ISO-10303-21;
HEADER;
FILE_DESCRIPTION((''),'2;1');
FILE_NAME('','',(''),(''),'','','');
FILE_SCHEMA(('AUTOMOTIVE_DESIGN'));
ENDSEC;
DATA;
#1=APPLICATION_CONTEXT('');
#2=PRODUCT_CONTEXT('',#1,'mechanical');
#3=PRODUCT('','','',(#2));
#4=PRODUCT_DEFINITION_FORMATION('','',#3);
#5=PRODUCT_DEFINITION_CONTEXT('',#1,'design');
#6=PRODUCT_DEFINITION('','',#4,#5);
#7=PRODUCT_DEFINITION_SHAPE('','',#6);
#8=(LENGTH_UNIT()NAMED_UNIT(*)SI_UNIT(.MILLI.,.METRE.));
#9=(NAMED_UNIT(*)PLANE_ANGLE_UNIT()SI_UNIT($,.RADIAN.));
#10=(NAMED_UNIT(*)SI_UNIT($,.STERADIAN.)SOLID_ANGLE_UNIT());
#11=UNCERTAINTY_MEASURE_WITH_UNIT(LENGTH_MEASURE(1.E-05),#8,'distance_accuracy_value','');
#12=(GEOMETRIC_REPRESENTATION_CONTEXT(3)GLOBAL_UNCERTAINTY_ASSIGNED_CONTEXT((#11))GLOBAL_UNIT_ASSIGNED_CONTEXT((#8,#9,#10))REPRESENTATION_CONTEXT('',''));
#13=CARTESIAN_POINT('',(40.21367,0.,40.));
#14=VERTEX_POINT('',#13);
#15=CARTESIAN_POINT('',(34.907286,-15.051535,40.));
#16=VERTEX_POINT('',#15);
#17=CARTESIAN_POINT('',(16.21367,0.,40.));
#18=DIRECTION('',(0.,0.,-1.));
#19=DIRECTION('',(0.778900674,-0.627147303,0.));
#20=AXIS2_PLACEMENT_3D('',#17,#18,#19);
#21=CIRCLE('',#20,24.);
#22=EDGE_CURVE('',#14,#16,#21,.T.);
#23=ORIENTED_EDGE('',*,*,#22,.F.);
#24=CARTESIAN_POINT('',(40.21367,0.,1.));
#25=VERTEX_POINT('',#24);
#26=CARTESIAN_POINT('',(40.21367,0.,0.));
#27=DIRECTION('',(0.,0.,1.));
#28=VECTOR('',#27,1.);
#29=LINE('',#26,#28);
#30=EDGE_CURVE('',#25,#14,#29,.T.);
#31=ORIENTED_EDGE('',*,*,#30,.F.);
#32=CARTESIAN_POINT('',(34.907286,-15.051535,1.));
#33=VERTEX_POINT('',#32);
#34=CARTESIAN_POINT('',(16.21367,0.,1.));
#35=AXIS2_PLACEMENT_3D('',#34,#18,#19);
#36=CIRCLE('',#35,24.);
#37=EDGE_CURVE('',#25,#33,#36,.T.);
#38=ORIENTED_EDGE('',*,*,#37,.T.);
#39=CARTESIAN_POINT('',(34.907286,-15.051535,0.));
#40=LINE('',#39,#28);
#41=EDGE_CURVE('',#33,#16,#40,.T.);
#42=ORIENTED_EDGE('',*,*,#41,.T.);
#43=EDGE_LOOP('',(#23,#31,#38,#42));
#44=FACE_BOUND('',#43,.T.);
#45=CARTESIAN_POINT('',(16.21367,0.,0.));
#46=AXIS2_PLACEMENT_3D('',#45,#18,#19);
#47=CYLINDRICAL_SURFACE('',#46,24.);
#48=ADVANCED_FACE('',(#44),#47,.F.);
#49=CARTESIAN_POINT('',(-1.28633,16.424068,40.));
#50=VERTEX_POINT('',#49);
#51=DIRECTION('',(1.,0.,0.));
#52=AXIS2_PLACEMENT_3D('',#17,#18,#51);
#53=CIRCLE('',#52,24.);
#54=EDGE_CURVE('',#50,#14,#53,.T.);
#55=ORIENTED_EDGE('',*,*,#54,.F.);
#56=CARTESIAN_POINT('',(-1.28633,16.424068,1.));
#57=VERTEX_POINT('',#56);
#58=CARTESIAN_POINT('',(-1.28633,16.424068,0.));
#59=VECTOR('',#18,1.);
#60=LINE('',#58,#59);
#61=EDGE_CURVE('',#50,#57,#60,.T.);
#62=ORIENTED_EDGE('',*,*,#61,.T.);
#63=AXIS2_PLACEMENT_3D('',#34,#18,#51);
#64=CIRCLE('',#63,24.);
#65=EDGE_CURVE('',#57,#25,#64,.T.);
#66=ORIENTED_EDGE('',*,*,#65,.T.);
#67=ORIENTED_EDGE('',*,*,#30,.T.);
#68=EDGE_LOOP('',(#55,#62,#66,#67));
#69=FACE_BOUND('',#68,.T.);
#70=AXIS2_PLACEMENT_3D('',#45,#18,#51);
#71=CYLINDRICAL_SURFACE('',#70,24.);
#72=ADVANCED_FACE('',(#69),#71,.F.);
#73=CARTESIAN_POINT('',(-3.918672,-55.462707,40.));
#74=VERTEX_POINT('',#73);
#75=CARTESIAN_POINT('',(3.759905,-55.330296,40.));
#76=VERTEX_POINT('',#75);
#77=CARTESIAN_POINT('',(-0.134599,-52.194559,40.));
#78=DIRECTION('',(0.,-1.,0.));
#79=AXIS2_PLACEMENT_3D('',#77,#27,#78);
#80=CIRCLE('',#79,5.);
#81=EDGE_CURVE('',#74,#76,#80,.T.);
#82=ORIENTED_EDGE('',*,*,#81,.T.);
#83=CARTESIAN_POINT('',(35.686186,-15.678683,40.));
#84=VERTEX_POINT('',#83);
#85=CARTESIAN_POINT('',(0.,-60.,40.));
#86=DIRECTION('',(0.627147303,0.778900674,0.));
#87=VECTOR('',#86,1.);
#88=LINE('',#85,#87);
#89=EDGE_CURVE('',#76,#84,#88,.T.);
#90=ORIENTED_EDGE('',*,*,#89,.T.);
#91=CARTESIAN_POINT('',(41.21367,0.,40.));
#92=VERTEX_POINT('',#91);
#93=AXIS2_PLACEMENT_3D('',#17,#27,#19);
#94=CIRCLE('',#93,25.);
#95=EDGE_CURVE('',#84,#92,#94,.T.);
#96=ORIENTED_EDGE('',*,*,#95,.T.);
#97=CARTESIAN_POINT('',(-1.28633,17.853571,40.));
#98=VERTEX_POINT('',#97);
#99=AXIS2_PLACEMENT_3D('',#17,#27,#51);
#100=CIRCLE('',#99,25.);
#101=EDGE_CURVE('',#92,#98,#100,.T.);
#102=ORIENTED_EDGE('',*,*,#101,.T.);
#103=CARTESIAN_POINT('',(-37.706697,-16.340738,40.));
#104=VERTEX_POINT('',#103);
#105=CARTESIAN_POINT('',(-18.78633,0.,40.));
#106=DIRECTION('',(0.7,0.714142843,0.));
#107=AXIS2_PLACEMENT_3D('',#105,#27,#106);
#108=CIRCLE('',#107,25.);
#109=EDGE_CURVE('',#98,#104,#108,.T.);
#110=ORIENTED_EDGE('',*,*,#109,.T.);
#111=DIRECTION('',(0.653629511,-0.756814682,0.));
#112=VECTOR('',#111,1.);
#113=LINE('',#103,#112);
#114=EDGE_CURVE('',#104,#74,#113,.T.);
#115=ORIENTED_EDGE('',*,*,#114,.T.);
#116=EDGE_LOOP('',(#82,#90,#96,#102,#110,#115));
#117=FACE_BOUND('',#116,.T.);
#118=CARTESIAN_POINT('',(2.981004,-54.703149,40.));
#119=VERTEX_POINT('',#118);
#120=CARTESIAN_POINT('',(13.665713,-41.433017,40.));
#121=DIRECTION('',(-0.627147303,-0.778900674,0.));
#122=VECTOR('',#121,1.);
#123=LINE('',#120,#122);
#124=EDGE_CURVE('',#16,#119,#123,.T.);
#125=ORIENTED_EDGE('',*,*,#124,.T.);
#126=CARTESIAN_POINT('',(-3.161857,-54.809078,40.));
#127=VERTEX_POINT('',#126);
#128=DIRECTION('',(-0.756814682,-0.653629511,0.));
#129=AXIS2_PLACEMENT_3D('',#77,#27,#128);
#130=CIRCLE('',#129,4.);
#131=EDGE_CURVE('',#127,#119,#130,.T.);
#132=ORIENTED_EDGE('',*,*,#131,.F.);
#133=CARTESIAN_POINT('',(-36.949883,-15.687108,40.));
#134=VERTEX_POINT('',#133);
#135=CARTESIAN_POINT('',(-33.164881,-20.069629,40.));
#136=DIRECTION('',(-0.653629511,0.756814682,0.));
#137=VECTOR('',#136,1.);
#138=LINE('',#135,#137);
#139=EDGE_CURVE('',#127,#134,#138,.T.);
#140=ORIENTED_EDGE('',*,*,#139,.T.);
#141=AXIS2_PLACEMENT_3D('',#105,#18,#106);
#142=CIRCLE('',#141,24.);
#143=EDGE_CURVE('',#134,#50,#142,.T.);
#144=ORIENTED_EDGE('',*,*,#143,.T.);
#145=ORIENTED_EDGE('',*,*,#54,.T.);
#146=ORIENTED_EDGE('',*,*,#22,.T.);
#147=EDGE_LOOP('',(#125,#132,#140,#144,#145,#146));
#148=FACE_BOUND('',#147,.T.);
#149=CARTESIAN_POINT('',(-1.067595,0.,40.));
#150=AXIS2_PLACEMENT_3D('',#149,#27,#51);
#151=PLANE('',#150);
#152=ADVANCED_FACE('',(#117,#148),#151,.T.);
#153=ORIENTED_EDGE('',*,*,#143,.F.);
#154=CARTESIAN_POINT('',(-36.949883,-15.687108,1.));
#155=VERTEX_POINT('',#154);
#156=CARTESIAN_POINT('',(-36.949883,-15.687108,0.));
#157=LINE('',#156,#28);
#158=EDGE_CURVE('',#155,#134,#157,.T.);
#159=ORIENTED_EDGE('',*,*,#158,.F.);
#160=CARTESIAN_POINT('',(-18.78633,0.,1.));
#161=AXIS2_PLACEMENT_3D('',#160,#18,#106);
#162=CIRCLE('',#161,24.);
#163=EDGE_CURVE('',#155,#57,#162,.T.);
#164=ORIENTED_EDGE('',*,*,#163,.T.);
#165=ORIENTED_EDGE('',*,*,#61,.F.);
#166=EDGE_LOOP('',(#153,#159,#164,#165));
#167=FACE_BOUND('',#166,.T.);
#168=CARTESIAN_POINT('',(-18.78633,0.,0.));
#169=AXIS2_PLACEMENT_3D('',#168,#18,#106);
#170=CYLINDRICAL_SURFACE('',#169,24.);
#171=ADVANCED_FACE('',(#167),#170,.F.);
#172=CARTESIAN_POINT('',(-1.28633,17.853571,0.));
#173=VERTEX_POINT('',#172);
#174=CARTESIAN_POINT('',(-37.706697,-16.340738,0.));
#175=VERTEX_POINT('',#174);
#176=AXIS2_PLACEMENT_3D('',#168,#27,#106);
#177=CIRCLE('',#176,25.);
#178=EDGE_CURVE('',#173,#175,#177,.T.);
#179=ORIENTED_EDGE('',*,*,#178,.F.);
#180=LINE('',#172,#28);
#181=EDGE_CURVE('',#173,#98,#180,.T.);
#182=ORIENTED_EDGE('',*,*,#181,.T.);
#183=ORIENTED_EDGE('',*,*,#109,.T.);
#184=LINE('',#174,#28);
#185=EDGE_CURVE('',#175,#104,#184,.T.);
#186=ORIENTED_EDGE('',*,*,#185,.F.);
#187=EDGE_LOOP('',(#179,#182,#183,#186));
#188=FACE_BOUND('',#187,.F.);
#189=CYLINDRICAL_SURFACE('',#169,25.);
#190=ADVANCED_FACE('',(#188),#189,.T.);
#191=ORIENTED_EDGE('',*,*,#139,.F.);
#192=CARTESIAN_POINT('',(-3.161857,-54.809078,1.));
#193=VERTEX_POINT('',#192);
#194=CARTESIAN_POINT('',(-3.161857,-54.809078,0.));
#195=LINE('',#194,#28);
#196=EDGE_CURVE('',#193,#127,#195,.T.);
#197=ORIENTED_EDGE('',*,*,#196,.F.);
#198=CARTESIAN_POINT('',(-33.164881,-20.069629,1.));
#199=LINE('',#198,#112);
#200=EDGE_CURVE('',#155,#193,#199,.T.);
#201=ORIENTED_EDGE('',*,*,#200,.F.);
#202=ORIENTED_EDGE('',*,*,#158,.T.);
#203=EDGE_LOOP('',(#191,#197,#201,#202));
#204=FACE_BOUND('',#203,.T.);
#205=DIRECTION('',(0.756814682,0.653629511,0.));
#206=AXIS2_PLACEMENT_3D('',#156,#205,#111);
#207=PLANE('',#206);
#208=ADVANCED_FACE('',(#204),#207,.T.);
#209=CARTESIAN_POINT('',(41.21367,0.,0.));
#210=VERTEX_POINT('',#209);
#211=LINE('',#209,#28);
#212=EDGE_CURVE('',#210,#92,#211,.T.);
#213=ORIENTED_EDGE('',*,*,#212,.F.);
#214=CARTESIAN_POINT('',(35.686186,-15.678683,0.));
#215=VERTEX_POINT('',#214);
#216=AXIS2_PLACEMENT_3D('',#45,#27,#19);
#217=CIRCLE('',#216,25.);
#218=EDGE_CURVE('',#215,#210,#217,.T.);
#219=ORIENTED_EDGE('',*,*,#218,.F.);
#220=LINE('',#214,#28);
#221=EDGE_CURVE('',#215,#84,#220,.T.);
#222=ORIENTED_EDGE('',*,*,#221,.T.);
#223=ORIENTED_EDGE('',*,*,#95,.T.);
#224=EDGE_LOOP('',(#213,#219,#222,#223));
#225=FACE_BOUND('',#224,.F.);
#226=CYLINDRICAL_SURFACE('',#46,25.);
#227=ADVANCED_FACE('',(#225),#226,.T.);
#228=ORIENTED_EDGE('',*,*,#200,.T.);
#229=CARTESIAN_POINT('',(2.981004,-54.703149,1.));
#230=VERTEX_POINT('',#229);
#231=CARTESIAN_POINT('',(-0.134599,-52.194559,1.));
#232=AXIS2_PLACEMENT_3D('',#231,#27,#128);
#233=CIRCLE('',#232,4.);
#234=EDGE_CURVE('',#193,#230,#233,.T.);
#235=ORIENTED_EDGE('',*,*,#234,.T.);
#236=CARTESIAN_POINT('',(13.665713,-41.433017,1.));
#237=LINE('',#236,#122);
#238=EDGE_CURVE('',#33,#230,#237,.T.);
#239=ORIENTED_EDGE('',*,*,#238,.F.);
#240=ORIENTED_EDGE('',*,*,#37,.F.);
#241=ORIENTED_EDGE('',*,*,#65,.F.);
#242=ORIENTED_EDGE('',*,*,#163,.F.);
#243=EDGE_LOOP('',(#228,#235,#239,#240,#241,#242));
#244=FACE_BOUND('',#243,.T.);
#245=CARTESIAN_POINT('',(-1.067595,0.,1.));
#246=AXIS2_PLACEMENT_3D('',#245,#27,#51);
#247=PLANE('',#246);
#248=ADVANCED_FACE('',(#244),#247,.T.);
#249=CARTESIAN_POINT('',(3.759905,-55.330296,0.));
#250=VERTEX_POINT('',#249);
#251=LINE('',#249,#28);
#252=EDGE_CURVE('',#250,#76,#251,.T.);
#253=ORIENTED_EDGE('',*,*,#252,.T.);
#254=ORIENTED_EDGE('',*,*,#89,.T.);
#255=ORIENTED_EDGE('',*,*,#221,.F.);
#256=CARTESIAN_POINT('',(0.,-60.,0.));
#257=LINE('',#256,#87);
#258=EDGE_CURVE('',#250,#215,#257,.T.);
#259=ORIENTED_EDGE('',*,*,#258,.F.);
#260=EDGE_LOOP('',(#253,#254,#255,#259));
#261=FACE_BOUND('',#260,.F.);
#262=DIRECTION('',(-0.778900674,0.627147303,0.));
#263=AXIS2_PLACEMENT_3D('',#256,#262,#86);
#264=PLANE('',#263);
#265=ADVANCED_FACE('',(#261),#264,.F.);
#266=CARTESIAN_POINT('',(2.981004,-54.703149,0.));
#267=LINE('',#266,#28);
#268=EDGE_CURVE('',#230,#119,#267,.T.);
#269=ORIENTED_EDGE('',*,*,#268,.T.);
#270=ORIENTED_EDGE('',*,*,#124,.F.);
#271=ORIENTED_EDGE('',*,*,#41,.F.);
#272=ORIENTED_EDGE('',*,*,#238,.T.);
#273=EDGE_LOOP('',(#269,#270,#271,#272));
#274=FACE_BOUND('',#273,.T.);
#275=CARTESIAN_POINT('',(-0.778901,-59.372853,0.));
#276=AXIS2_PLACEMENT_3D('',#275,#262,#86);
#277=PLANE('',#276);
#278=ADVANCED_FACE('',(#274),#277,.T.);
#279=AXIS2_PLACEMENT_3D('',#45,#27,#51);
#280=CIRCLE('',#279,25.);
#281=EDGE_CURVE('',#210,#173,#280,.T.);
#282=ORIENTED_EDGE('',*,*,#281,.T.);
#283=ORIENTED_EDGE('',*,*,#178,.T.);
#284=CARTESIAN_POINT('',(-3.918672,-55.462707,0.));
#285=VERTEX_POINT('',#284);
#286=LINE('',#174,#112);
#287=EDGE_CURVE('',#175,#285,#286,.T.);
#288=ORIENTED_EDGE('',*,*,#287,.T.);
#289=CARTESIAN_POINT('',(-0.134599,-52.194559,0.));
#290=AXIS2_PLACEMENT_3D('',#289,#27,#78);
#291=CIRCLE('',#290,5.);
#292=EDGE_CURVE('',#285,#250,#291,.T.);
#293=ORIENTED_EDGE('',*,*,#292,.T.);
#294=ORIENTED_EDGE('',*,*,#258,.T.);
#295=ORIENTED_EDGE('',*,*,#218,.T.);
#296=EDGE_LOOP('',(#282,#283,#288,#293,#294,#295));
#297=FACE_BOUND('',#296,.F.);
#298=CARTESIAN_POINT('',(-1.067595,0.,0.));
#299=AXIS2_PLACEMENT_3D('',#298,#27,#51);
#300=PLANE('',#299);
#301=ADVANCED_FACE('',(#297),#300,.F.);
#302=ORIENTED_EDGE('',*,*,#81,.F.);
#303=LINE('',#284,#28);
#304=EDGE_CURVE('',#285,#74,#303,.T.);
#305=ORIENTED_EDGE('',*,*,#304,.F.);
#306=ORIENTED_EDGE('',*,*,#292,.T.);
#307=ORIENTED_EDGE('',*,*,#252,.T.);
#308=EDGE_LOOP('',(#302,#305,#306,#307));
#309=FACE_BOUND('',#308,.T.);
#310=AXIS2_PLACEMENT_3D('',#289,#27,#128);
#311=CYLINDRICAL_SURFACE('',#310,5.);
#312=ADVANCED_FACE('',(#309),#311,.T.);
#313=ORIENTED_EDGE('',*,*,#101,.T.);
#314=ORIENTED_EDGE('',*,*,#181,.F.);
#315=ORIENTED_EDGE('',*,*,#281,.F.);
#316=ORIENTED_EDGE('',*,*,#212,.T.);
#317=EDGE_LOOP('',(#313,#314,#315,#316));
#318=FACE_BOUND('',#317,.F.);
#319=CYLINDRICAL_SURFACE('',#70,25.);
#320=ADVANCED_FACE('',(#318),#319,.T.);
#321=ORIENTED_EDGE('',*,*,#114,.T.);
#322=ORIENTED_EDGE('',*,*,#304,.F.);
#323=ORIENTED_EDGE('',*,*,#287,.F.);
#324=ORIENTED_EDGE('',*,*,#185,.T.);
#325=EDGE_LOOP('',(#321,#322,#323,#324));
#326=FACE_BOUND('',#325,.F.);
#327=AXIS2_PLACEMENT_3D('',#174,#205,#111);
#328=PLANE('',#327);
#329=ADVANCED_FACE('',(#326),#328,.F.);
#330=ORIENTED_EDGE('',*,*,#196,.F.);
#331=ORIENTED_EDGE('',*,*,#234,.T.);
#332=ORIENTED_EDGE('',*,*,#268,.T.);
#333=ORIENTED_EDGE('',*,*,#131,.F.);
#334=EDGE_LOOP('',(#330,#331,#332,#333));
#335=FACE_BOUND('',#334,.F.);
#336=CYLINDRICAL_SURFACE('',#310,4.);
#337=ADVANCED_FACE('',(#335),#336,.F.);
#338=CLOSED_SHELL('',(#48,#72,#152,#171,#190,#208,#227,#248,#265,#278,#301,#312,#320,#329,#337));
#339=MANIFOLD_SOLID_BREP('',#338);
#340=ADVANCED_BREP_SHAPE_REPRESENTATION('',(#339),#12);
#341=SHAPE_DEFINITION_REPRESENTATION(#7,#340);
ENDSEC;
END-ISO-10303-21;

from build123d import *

# Parameters (mm, degrees)
F1_DEPTH = 40
F2_R     = 5
F3_T     = -1


with BuildPart() as f1:
    # F0 (on Top) → F1 (new body)
    with BuildSketch(Plane.XY):
        with BuildLine():
            ThreePointArc((-1.2863303848, -17.8535710714), (4.2625307585, -9.6824583655), (6.2136696152, 0))
            ThreePointArc((6.2136696152, 0), (4.2625307585, 9.6824583655), (-1.2863303848, 17.8535710714))
            ThreePointArc((-1.2863303848, 17.8535710714), (-8.7863303848, 0), (-1.2863303848, -17.8535710714))
        make_face()
        with BuildLine():
            ThreePointArc((-1.2863303848, 17.8535710714), (4.2625307585, 9.6824583655), (6.2136696152, 0))
            ThreePointArc((6.2136696152, 0), (4.2625307585, -9.6824583655), (-1.2863303848, -17.8535710714))
            ThreePointArc((-1.2863303848, -17.8535710714), (17.6817434111, -24.9568579619), (35.6861864672, -15.6786825802))
            ThreePointArc((35.6861864672, -15.6786825802), (39.7913383009, -8.3122523633), (41.2136696152, 0))
            ThreePointArc((41.2136696152, 0), (25.8961279808, 23.0488611432), (-1.2863303848, 17.8535710714))
        make_face()
        with BuildLine():
            ThreePointArc((-1.2863303848, -17.8535710714), (-8.7863303848, 0), (-1.2863303848, 17.8535710714))
            ThreePointArc((-1.2863303848, 17.8535710714), (-35.8982282908, 18.2258868112), (-37.7066974288, -16.3407377715))
            ThreePointArc((-37.7066974288, -16.3407377715), (-19.8238884715, -24.9784601851), (-1.2863303848, -17.8535710714))
        make_face()
        with BuildLine():
            ThreePointArc((35.6861864672, -15.6786825802), (17.6817434111, -24.9568579619), (-1.2863303848, -17.8535710714))
            ThreePointArc((-1.2863303848, -17.8535710714), (-19.8238884715, -24.9784601851), (-37.7066974288, -16.3407377715))
            Line((-37.7066974288, -16.3407377715), (0, -60))
            Line((0, -60), (35.6861864672, -15.6786825802))
        make_face()
    extrude(amount=F1_DEPTH)

    # F2
    f2_edges = [f1.edges().sort_by_distance(p)[0] for p in [
        (0, -60, 20),
    ]]
    fillet(f2_edges, radius=F2_R)

    # F3
    f3_openings = [f1.faces().sort_by_distance(p)[0] for p in [
        (-1.14081, -8.463934, 40),
    ]]
    offset(amount=F3_T, openings=f3_openings, kind=Kind.INTERSECTION)


solid = f1.part
